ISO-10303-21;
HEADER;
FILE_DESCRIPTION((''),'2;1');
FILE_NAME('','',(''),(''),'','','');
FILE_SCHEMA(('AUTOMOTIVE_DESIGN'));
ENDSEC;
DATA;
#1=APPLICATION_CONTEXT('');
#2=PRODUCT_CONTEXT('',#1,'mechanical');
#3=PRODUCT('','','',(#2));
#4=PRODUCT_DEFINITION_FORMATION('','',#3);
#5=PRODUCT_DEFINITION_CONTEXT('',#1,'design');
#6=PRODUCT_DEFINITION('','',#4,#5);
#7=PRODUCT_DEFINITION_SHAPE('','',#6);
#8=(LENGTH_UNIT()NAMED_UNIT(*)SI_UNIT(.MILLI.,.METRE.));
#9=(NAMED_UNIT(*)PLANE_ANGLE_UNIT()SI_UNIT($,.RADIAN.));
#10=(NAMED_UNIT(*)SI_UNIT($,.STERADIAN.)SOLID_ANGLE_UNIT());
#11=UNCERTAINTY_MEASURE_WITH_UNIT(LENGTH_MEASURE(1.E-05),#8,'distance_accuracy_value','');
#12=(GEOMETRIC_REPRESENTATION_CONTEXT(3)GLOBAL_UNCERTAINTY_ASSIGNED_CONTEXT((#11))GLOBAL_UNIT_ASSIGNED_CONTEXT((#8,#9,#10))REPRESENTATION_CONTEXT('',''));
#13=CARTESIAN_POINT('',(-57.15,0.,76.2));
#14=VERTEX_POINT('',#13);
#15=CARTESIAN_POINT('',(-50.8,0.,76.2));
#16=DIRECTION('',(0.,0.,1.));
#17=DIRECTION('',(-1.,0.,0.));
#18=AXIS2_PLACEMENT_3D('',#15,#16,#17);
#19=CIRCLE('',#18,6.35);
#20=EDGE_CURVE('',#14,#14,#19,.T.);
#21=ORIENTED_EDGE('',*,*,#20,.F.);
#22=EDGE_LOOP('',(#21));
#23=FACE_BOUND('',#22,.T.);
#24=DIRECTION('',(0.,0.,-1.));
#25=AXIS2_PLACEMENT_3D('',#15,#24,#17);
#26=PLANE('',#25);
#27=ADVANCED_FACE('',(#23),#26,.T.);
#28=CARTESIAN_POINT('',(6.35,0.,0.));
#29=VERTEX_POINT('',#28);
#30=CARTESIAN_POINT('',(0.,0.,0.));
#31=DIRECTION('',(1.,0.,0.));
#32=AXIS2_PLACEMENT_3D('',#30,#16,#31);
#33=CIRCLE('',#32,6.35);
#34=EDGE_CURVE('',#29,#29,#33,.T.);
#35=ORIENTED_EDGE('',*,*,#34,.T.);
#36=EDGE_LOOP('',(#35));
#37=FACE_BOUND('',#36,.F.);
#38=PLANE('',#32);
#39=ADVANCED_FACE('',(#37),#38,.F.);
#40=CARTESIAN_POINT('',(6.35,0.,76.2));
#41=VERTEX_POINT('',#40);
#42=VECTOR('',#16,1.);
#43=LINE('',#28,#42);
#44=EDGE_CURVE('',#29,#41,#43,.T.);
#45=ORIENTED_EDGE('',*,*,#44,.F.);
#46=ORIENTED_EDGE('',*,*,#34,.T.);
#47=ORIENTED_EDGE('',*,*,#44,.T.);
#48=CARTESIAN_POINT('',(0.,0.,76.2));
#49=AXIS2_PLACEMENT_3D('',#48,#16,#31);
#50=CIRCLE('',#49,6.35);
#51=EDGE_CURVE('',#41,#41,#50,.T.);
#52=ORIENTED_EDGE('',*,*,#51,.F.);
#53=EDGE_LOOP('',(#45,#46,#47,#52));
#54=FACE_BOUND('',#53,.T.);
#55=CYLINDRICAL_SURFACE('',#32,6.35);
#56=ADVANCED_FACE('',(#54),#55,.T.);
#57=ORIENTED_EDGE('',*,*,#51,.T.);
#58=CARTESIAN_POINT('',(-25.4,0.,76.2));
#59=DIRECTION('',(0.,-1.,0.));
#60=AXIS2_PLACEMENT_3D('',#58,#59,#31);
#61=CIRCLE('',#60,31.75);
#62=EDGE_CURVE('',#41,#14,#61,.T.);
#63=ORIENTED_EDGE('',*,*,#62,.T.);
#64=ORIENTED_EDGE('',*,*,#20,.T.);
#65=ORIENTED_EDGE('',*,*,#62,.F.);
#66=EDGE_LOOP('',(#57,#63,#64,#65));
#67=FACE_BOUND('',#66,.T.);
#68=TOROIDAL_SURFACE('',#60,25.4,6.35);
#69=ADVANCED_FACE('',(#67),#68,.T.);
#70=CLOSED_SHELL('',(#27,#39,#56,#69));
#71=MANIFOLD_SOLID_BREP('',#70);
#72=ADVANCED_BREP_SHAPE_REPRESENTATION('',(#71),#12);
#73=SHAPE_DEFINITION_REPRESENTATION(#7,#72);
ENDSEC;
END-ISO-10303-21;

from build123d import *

# Parameters (mm, degrees)
F1_R = 6.35


with BuildPart() as f2:
    # F2: sweep along a path in F0
    with BuildLine(Plane.XZ) as f2_path:
        Line((0, 0), (0, 76.2))
        ThreePointArc((0, 76.2), (-25.4, 101.6), (-50.8, 76.2))
    # F1 (on Top) → F2 (sweep)
    with BuildSketch(Plane.XY):
        Circle(F1_R)
    sweep(path=f2_path.line)


solid = f2.part
